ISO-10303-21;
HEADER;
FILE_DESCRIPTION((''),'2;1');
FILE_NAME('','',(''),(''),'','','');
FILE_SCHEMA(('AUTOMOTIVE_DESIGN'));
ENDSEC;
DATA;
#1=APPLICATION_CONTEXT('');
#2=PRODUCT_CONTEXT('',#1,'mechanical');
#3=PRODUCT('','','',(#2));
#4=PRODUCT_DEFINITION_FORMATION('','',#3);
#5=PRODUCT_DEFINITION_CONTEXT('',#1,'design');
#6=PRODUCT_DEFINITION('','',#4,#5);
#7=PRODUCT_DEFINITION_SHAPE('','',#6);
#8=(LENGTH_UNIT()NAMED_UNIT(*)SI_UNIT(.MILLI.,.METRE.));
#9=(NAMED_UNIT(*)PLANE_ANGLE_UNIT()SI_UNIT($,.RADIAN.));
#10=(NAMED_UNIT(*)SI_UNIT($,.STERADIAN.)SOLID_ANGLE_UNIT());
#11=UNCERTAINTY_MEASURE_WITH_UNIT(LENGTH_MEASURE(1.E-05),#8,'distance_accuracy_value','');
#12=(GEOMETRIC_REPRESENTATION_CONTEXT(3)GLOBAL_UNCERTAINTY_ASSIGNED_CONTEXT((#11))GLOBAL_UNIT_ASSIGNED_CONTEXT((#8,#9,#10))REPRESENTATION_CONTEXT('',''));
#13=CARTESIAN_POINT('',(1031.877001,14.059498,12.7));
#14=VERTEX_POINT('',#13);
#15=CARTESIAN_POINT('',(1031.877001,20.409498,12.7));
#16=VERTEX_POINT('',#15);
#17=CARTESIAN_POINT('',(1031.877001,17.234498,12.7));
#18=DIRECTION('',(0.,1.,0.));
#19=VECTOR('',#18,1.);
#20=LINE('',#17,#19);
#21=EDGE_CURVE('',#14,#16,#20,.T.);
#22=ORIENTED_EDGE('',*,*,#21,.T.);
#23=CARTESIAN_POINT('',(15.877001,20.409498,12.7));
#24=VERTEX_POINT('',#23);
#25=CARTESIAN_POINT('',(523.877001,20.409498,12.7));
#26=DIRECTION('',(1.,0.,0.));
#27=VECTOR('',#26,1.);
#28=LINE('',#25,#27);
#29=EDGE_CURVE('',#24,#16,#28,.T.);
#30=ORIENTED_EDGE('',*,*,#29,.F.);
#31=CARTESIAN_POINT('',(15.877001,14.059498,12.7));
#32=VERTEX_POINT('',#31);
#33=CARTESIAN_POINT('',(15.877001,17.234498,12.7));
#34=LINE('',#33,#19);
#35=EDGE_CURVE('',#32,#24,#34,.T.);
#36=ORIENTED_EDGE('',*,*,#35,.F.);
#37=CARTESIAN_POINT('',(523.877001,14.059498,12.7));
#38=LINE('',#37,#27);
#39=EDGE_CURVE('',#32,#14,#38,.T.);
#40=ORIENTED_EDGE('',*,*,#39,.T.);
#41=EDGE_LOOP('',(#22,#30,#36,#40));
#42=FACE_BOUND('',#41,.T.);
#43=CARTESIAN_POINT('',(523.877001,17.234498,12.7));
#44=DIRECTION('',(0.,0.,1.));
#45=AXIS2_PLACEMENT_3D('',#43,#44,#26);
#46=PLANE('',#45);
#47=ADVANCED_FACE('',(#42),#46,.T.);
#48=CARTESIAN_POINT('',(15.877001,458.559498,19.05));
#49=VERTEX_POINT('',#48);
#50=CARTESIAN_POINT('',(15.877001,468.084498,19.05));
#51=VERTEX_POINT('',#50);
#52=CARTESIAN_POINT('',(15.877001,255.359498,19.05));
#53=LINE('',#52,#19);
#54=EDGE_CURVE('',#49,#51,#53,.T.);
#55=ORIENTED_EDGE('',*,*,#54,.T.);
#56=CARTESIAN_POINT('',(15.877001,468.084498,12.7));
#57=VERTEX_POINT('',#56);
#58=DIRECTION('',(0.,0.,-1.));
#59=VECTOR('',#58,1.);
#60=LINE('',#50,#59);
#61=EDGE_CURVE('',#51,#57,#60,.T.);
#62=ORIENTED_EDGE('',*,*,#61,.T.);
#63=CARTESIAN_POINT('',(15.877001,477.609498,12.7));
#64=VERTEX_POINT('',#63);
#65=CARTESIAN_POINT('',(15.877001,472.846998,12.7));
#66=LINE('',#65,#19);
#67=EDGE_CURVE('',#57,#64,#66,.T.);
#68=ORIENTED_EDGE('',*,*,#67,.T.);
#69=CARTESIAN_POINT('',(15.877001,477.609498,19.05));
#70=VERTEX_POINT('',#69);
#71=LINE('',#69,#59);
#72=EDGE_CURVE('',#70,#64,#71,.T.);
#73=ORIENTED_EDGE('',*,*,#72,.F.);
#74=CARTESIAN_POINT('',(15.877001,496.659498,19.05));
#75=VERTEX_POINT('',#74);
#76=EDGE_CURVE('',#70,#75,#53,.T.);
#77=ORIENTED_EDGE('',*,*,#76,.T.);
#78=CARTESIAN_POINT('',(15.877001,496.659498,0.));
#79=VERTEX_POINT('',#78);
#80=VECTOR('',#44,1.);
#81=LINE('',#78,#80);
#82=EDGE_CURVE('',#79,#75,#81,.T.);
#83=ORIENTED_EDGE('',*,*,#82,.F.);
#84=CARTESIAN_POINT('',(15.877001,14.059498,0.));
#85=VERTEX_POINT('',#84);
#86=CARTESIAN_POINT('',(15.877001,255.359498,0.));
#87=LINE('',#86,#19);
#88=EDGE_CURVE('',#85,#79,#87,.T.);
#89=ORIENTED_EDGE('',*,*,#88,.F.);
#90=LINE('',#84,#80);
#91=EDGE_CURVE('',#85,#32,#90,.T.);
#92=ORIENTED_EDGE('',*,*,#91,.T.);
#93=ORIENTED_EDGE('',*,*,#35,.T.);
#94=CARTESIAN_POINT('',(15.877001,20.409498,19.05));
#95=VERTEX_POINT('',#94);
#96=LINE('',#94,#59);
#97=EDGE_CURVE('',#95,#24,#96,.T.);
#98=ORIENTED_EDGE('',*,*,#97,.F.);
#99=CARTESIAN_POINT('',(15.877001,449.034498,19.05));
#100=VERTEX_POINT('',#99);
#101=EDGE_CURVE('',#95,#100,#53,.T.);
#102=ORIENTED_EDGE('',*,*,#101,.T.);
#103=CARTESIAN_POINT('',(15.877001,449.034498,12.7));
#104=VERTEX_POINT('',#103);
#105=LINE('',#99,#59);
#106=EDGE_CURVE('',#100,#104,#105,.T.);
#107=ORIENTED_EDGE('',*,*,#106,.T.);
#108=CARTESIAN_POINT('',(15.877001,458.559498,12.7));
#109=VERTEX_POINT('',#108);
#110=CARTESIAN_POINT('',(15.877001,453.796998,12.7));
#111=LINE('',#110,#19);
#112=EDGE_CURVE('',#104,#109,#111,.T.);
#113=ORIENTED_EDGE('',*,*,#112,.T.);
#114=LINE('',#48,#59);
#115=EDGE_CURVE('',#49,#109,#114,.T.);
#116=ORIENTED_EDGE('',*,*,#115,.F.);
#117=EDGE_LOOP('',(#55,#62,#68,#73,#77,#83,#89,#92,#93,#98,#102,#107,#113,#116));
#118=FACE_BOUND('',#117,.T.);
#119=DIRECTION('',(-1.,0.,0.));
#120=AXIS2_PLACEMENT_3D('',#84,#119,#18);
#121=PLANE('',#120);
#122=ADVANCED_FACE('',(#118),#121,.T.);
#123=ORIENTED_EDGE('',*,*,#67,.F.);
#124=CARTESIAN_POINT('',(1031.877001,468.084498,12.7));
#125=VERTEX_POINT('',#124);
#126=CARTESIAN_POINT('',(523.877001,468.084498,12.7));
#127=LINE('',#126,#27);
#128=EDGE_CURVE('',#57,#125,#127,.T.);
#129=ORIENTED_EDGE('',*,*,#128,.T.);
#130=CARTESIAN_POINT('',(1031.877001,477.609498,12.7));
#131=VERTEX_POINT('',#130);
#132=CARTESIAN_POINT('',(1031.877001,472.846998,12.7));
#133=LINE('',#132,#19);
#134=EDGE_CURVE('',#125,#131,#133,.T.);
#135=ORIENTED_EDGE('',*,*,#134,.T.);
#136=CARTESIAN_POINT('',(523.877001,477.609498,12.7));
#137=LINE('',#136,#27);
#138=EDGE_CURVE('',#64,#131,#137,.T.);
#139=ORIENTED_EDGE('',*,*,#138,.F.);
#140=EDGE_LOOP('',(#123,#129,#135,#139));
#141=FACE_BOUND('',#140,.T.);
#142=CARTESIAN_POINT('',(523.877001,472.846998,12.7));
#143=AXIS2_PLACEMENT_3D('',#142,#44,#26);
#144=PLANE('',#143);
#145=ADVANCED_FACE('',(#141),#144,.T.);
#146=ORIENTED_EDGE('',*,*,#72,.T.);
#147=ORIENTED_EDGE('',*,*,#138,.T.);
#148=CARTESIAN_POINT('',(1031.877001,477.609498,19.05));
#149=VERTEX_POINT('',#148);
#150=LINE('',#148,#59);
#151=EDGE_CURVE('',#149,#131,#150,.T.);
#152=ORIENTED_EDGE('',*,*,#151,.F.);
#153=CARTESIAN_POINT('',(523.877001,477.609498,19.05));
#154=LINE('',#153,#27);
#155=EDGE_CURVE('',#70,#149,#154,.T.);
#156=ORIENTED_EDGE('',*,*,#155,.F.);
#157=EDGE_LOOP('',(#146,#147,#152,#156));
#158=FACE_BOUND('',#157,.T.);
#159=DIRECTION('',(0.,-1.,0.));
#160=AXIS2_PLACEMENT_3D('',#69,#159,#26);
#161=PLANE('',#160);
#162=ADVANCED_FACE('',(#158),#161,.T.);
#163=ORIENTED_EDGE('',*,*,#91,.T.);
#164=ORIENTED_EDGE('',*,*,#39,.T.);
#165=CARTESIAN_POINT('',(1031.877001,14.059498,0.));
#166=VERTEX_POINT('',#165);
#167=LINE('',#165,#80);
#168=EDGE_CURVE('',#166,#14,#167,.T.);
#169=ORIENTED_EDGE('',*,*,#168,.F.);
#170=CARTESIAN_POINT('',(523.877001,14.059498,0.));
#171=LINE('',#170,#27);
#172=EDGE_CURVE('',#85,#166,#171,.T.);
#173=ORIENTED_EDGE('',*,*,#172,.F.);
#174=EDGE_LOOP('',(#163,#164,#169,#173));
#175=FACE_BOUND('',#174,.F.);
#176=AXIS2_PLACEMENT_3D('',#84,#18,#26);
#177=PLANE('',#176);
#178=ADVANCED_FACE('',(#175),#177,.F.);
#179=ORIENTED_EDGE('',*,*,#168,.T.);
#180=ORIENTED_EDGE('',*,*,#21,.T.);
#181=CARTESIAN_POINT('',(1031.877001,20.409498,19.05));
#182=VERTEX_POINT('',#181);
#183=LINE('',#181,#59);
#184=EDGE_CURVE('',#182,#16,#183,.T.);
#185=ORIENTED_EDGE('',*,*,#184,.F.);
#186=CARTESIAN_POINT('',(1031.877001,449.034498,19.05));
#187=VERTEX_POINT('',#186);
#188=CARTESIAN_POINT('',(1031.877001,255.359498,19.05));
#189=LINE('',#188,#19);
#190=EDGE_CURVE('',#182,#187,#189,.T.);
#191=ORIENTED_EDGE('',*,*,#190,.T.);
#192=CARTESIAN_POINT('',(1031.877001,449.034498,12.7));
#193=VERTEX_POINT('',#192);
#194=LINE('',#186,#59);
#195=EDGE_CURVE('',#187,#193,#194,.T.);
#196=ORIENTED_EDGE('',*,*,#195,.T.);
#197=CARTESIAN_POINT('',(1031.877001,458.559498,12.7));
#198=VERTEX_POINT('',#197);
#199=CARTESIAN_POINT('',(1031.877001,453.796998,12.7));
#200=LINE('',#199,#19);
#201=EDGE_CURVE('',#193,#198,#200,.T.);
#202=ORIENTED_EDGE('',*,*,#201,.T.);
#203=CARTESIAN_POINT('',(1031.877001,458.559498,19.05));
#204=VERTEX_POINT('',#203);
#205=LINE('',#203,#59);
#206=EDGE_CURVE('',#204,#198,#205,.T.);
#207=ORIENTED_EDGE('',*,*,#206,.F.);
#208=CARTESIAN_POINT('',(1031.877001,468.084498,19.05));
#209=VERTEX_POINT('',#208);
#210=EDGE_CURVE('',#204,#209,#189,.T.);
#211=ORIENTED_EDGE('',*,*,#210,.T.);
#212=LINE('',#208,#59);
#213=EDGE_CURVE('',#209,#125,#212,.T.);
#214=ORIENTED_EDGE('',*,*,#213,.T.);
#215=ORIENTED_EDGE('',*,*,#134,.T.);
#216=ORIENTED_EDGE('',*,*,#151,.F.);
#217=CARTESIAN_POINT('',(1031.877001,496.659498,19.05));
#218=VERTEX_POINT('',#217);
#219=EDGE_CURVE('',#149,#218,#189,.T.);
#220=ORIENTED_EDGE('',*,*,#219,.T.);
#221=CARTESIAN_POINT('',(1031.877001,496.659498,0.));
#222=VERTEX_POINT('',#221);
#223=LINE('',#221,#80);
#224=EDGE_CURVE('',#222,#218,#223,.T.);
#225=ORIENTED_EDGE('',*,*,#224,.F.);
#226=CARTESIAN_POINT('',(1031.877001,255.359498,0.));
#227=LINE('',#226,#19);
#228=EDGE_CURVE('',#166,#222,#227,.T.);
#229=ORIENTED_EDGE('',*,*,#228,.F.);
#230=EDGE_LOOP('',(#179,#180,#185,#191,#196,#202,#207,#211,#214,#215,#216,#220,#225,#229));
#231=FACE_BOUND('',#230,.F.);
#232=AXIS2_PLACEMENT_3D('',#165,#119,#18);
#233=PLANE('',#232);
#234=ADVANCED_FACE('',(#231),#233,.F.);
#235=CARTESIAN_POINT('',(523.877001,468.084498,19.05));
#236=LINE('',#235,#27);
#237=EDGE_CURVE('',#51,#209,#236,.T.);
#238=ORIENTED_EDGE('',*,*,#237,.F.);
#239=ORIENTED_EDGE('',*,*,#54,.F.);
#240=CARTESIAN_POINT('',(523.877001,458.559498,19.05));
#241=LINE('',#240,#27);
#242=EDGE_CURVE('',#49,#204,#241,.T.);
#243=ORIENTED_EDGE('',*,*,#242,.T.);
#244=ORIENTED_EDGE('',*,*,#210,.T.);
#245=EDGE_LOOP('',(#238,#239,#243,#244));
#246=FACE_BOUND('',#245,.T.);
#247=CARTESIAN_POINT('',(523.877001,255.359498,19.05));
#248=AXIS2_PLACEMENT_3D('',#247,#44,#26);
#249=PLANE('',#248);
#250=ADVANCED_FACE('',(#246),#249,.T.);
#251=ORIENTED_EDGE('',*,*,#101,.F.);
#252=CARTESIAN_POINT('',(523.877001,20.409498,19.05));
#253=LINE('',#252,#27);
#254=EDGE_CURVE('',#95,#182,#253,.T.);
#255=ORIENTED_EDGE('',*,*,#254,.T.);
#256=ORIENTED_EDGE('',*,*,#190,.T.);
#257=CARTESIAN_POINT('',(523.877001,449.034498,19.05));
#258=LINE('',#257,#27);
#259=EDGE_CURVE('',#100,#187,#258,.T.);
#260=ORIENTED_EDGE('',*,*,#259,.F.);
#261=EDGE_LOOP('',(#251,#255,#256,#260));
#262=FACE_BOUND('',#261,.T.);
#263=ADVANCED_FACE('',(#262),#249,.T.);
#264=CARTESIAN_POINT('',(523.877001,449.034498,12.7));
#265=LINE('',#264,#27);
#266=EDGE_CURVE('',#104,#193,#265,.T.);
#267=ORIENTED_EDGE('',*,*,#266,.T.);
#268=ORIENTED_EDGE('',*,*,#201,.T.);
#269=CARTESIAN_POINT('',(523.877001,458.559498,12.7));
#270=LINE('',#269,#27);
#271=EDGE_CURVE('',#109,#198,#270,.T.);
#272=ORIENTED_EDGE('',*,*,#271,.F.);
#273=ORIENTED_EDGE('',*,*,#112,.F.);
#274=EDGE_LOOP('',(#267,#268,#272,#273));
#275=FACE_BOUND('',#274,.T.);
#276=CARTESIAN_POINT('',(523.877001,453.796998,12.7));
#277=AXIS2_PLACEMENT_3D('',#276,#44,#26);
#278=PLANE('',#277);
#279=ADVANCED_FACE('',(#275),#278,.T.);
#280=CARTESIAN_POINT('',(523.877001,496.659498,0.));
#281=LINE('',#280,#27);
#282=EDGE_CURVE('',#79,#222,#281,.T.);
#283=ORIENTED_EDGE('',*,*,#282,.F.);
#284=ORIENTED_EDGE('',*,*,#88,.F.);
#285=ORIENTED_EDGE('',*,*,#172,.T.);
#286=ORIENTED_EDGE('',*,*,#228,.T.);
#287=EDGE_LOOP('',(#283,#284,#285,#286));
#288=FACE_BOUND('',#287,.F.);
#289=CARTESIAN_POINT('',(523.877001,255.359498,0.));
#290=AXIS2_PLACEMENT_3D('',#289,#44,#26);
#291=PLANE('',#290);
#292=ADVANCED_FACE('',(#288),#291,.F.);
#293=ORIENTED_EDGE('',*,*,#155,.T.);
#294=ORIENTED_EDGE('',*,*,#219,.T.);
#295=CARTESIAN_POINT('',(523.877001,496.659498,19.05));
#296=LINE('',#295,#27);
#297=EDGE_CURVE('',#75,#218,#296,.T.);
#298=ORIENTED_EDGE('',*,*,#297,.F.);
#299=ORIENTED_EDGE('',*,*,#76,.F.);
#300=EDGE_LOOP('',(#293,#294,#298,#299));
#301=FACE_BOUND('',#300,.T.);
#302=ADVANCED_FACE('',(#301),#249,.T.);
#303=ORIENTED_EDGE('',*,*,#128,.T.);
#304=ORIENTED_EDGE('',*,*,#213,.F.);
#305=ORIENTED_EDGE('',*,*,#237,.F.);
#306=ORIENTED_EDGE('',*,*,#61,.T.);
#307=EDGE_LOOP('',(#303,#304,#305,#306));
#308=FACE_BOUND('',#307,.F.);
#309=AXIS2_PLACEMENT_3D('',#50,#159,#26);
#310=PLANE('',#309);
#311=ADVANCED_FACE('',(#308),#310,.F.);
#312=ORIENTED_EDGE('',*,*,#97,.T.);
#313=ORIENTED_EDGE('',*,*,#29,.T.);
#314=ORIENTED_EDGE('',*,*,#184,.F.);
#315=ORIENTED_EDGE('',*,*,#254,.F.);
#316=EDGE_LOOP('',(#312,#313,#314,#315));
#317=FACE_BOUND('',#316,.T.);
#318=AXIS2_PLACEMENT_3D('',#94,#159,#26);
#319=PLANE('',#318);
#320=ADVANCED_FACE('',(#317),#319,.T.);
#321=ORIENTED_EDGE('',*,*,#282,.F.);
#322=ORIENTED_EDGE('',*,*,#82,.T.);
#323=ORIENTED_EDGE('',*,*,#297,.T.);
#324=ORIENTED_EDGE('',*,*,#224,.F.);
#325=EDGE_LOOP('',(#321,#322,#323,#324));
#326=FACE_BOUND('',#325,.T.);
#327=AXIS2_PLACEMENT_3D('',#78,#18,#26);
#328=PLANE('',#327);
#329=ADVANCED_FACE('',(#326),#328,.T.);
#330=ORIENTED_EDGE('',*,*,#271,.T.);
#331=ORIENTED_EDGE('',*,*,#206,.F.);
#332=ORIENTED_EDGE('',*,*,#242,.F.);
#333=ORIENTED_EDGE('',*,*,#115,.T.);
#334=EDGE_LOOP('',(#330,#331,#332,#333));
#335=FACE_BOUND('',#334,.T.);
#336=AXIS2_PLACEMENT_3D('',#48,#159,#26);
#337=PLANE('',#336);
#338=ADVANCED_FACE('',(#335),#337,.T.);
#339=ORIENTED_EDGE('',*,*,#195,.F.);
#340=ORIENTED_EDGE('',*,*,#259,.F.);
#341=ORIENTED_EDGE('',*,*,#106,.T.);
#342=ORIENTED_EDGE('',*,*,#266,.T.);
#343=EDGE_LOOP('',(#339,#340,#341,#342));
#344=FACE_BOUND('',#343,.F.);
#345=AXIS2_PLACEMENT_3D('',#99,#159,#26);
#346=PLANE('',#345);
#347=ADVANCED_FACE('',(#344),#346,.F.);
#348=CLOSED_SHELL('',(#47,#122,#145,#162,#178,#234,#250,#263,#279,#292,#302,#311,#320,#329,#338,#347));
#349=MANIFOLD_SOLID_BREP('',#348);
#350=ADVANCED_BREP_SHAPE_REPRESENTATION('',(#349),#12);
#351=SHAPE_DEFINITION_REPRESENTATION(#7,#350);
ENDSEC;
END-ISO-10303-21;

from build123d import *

# Parameters (mm, degrees)
F0_W     = 1016
F0_H     = 482.6
F1_DEPTH = 19.05
F2_W     = 1016
F2_H     = 9.525
F2_H_2   = 6.35
F3_DEPTH = 6.35


with BuildPart() as f1:
    # F0 (on Top) → F1 (new body)
    with BuildSketch(Plane.XY):
        with Locations((523.877001, 255.359498)):
            Rectangle(F0_W, F0_H)
    extrude(amount=F1_DEPTH)

    # F2 (on face) → F3 (cut)
    with BuildSketch(Plane.XY.offset(19.05)):
        with Locations((523.877001, 472.846998)):
            Rectangle(F2_W, F2_H)
        with Locations((523.877001, 453.796998)):
            Rectangle(F2_W, F2_H)
        with Locations((523.877001, 17.234498)):
            Rectangle(F2_W, F2_H_2)
    extrude(amount=-F3_DEPTH, mode=Mode.SUBTRACT)


solid = f1.part
